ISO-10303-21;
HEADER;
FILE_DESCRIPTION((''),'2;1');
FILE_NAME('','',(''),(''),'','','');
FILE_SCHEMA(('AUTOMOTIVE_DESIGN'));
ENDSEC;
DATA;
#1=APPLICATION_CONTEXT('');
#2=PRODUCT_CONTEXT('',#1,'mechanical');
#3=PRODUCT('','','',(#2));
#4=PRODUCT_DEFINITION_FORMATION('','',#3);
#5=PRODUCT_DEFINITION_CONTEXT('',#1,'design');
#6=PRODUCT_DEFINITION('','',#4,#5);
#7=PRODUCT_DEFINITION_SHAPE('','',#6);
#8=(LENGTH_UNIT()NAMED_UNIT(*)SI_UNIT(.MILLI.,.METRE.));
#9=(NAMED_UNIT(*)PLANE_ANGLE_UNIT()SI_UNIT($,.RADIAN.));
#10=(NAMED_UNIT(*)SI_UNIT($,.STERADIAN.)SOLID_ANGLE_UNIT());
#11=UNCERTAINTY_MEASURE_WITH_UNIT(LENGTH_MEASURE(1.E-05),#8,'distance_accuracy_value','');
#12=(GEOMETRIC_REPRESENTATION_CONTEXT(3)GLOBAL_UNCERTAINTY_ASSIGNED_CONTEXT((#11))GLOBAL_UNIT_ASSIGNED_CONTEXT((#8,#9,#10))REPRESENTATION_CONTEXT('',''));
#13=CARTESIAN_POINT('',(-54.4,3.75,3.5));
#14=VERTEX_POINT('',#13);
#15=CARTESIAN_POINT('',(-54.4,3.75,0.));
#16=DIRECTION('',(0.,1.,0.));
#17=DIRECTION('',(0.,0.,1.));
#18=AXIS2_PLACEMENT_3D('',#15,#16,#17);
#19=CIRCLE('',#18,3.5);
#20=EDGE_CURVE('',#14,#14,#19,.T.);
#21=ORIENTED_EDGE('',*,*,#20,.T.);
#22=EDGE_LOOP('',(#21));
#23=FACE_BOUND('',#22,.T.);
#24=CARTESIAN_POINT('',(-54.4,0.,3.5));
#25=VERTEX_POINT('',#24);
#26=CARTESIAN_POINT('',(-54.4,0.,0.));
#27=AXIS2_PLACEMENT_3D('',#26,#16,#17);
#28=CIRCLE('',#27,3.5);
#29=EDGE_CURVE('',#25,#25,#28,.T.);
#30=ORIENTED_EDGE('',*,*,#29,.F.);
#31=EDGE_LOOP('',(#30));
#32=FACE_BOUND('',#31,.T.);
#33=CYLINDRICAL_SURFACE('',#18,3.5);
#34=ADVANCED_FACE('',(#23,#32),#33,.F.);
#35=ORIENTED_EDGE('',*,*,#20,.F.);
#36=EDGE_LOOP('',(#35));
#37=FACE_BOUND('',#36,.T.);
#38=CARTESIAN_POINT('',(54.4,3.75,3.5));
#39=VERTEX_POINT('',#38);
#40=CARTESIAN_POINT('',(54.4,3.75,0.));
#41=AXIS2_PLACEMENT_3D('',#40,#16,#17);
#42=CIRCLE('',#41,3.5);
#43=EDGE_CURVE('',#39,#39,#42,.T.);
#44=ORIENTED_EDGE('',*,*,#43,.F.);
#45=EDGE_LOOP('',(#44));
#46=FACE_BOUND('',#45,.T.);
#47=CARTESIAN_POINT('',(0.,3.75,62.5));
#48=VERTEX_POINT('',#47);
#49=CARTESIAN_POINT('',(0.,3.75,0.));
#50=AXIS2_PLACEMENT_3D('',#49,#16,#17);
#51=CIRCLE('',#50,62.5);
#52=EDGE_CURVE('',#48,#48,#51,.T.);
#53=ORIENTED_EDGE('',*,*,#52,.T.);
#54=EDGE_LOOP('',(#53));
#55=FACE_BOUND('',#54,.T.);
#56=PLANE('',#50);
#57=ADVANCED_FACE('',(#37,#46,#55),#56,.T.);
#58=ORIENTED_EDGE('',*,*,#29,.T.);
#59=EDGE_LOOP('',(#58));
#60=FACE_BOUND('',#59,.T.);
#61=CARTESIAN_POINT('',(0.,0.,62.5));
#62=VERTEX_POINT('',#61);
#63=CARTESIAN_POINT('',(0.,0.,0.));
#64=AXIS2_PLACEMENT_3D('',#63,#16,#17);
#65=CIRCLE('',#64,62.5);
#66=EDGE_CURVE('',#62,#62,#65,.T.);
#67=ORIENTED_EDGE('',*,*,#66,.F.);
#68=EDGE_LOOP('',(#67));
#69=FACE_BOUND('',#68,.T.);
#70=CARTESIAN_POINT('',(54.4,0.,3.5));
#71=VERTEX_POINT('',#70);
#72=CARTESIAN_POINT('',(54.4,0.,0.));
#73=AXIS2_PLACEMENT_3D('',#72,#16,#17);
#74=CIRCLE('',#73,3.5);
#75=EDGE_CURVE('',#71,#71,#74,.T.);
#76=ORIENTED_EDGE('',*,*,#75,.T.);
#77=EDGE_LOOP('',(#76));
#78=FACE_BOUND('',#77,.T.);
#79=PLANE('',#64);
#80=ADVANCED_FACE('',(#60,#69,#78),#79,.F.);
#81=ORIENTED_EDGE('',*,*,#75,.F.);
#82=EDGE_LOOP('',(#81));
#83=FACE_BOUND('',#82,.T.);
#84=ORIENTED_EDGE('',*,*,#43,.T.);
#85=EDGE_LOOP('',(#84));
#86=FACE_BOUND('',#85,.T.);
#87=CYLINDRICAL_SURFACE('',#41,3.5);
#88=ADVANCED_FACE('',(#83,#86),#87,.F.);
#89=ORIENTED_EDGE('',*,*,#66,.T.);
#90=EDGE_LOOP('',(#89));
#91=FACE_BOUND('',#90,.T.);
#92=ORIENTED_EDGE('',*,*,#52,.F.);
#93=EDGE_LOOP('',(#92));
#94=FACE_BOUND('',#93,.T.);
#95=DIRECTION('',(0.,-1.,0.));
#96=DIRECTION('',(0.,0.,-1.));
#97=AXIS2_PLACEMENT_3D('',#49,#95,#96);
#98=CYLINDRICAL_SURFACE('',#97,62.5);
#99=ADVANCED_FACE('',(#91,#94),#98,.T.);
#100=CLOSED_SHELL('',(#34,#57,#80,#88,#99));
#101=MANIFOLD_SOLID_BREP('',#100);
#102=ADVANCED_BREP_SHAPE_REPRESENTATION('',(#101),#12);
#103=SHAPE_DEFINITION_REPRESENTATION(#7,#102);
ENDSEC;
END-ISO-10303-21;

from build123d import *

# Parameters (mm, degrees)
SKETCH1_R            = 62.5
BOSS_EXTRUDE1_DEPTH  = 3.75
M6_CLEARANCE_HOLE1_D = 7
CIRPATTERN1_COUNT    = 2


with BuildPart() as part:
    # Sketch1 → Boss-Extrude1 (new body)
    with BuildSketch(Plane(origin=(0, 0, 0), x_dir=(1, 0, 0), z_dir=(0, 1, 0))):
        with Locations(Location((0, 0, 0), (0, 0, 270))):
            Circle(SKETCH1_R)
    extrude(amount=BOSS_EXTRUDE1_DEPTH)

    # M6 Clearance Hole1 (through all)
    with Locations(Plane(origin=(0, 3.75, 0), x_dir=(1, 0, 0), z_dir=(0, 1, 0))):
        with Locations((-54.4, 0)):
            m6_clearance_hole1 = Hole(M6_CLEARANCE_HOLE1_D / 2)

    # CirPattern1: M6 Clearance Hole1 ×2 about axis
    cirpattern1_axis = Axis((0, 0, 0), (0, 1, 0))
    for i in range(1, CIRPATTERN1_COUNT):
        add(m6_clearance_hole1.rotate(cirpattern1_axis, i * 360 / CIRPATTERN1_COUNT), mode=Mode.SUBTRACT)


solid = part.part
